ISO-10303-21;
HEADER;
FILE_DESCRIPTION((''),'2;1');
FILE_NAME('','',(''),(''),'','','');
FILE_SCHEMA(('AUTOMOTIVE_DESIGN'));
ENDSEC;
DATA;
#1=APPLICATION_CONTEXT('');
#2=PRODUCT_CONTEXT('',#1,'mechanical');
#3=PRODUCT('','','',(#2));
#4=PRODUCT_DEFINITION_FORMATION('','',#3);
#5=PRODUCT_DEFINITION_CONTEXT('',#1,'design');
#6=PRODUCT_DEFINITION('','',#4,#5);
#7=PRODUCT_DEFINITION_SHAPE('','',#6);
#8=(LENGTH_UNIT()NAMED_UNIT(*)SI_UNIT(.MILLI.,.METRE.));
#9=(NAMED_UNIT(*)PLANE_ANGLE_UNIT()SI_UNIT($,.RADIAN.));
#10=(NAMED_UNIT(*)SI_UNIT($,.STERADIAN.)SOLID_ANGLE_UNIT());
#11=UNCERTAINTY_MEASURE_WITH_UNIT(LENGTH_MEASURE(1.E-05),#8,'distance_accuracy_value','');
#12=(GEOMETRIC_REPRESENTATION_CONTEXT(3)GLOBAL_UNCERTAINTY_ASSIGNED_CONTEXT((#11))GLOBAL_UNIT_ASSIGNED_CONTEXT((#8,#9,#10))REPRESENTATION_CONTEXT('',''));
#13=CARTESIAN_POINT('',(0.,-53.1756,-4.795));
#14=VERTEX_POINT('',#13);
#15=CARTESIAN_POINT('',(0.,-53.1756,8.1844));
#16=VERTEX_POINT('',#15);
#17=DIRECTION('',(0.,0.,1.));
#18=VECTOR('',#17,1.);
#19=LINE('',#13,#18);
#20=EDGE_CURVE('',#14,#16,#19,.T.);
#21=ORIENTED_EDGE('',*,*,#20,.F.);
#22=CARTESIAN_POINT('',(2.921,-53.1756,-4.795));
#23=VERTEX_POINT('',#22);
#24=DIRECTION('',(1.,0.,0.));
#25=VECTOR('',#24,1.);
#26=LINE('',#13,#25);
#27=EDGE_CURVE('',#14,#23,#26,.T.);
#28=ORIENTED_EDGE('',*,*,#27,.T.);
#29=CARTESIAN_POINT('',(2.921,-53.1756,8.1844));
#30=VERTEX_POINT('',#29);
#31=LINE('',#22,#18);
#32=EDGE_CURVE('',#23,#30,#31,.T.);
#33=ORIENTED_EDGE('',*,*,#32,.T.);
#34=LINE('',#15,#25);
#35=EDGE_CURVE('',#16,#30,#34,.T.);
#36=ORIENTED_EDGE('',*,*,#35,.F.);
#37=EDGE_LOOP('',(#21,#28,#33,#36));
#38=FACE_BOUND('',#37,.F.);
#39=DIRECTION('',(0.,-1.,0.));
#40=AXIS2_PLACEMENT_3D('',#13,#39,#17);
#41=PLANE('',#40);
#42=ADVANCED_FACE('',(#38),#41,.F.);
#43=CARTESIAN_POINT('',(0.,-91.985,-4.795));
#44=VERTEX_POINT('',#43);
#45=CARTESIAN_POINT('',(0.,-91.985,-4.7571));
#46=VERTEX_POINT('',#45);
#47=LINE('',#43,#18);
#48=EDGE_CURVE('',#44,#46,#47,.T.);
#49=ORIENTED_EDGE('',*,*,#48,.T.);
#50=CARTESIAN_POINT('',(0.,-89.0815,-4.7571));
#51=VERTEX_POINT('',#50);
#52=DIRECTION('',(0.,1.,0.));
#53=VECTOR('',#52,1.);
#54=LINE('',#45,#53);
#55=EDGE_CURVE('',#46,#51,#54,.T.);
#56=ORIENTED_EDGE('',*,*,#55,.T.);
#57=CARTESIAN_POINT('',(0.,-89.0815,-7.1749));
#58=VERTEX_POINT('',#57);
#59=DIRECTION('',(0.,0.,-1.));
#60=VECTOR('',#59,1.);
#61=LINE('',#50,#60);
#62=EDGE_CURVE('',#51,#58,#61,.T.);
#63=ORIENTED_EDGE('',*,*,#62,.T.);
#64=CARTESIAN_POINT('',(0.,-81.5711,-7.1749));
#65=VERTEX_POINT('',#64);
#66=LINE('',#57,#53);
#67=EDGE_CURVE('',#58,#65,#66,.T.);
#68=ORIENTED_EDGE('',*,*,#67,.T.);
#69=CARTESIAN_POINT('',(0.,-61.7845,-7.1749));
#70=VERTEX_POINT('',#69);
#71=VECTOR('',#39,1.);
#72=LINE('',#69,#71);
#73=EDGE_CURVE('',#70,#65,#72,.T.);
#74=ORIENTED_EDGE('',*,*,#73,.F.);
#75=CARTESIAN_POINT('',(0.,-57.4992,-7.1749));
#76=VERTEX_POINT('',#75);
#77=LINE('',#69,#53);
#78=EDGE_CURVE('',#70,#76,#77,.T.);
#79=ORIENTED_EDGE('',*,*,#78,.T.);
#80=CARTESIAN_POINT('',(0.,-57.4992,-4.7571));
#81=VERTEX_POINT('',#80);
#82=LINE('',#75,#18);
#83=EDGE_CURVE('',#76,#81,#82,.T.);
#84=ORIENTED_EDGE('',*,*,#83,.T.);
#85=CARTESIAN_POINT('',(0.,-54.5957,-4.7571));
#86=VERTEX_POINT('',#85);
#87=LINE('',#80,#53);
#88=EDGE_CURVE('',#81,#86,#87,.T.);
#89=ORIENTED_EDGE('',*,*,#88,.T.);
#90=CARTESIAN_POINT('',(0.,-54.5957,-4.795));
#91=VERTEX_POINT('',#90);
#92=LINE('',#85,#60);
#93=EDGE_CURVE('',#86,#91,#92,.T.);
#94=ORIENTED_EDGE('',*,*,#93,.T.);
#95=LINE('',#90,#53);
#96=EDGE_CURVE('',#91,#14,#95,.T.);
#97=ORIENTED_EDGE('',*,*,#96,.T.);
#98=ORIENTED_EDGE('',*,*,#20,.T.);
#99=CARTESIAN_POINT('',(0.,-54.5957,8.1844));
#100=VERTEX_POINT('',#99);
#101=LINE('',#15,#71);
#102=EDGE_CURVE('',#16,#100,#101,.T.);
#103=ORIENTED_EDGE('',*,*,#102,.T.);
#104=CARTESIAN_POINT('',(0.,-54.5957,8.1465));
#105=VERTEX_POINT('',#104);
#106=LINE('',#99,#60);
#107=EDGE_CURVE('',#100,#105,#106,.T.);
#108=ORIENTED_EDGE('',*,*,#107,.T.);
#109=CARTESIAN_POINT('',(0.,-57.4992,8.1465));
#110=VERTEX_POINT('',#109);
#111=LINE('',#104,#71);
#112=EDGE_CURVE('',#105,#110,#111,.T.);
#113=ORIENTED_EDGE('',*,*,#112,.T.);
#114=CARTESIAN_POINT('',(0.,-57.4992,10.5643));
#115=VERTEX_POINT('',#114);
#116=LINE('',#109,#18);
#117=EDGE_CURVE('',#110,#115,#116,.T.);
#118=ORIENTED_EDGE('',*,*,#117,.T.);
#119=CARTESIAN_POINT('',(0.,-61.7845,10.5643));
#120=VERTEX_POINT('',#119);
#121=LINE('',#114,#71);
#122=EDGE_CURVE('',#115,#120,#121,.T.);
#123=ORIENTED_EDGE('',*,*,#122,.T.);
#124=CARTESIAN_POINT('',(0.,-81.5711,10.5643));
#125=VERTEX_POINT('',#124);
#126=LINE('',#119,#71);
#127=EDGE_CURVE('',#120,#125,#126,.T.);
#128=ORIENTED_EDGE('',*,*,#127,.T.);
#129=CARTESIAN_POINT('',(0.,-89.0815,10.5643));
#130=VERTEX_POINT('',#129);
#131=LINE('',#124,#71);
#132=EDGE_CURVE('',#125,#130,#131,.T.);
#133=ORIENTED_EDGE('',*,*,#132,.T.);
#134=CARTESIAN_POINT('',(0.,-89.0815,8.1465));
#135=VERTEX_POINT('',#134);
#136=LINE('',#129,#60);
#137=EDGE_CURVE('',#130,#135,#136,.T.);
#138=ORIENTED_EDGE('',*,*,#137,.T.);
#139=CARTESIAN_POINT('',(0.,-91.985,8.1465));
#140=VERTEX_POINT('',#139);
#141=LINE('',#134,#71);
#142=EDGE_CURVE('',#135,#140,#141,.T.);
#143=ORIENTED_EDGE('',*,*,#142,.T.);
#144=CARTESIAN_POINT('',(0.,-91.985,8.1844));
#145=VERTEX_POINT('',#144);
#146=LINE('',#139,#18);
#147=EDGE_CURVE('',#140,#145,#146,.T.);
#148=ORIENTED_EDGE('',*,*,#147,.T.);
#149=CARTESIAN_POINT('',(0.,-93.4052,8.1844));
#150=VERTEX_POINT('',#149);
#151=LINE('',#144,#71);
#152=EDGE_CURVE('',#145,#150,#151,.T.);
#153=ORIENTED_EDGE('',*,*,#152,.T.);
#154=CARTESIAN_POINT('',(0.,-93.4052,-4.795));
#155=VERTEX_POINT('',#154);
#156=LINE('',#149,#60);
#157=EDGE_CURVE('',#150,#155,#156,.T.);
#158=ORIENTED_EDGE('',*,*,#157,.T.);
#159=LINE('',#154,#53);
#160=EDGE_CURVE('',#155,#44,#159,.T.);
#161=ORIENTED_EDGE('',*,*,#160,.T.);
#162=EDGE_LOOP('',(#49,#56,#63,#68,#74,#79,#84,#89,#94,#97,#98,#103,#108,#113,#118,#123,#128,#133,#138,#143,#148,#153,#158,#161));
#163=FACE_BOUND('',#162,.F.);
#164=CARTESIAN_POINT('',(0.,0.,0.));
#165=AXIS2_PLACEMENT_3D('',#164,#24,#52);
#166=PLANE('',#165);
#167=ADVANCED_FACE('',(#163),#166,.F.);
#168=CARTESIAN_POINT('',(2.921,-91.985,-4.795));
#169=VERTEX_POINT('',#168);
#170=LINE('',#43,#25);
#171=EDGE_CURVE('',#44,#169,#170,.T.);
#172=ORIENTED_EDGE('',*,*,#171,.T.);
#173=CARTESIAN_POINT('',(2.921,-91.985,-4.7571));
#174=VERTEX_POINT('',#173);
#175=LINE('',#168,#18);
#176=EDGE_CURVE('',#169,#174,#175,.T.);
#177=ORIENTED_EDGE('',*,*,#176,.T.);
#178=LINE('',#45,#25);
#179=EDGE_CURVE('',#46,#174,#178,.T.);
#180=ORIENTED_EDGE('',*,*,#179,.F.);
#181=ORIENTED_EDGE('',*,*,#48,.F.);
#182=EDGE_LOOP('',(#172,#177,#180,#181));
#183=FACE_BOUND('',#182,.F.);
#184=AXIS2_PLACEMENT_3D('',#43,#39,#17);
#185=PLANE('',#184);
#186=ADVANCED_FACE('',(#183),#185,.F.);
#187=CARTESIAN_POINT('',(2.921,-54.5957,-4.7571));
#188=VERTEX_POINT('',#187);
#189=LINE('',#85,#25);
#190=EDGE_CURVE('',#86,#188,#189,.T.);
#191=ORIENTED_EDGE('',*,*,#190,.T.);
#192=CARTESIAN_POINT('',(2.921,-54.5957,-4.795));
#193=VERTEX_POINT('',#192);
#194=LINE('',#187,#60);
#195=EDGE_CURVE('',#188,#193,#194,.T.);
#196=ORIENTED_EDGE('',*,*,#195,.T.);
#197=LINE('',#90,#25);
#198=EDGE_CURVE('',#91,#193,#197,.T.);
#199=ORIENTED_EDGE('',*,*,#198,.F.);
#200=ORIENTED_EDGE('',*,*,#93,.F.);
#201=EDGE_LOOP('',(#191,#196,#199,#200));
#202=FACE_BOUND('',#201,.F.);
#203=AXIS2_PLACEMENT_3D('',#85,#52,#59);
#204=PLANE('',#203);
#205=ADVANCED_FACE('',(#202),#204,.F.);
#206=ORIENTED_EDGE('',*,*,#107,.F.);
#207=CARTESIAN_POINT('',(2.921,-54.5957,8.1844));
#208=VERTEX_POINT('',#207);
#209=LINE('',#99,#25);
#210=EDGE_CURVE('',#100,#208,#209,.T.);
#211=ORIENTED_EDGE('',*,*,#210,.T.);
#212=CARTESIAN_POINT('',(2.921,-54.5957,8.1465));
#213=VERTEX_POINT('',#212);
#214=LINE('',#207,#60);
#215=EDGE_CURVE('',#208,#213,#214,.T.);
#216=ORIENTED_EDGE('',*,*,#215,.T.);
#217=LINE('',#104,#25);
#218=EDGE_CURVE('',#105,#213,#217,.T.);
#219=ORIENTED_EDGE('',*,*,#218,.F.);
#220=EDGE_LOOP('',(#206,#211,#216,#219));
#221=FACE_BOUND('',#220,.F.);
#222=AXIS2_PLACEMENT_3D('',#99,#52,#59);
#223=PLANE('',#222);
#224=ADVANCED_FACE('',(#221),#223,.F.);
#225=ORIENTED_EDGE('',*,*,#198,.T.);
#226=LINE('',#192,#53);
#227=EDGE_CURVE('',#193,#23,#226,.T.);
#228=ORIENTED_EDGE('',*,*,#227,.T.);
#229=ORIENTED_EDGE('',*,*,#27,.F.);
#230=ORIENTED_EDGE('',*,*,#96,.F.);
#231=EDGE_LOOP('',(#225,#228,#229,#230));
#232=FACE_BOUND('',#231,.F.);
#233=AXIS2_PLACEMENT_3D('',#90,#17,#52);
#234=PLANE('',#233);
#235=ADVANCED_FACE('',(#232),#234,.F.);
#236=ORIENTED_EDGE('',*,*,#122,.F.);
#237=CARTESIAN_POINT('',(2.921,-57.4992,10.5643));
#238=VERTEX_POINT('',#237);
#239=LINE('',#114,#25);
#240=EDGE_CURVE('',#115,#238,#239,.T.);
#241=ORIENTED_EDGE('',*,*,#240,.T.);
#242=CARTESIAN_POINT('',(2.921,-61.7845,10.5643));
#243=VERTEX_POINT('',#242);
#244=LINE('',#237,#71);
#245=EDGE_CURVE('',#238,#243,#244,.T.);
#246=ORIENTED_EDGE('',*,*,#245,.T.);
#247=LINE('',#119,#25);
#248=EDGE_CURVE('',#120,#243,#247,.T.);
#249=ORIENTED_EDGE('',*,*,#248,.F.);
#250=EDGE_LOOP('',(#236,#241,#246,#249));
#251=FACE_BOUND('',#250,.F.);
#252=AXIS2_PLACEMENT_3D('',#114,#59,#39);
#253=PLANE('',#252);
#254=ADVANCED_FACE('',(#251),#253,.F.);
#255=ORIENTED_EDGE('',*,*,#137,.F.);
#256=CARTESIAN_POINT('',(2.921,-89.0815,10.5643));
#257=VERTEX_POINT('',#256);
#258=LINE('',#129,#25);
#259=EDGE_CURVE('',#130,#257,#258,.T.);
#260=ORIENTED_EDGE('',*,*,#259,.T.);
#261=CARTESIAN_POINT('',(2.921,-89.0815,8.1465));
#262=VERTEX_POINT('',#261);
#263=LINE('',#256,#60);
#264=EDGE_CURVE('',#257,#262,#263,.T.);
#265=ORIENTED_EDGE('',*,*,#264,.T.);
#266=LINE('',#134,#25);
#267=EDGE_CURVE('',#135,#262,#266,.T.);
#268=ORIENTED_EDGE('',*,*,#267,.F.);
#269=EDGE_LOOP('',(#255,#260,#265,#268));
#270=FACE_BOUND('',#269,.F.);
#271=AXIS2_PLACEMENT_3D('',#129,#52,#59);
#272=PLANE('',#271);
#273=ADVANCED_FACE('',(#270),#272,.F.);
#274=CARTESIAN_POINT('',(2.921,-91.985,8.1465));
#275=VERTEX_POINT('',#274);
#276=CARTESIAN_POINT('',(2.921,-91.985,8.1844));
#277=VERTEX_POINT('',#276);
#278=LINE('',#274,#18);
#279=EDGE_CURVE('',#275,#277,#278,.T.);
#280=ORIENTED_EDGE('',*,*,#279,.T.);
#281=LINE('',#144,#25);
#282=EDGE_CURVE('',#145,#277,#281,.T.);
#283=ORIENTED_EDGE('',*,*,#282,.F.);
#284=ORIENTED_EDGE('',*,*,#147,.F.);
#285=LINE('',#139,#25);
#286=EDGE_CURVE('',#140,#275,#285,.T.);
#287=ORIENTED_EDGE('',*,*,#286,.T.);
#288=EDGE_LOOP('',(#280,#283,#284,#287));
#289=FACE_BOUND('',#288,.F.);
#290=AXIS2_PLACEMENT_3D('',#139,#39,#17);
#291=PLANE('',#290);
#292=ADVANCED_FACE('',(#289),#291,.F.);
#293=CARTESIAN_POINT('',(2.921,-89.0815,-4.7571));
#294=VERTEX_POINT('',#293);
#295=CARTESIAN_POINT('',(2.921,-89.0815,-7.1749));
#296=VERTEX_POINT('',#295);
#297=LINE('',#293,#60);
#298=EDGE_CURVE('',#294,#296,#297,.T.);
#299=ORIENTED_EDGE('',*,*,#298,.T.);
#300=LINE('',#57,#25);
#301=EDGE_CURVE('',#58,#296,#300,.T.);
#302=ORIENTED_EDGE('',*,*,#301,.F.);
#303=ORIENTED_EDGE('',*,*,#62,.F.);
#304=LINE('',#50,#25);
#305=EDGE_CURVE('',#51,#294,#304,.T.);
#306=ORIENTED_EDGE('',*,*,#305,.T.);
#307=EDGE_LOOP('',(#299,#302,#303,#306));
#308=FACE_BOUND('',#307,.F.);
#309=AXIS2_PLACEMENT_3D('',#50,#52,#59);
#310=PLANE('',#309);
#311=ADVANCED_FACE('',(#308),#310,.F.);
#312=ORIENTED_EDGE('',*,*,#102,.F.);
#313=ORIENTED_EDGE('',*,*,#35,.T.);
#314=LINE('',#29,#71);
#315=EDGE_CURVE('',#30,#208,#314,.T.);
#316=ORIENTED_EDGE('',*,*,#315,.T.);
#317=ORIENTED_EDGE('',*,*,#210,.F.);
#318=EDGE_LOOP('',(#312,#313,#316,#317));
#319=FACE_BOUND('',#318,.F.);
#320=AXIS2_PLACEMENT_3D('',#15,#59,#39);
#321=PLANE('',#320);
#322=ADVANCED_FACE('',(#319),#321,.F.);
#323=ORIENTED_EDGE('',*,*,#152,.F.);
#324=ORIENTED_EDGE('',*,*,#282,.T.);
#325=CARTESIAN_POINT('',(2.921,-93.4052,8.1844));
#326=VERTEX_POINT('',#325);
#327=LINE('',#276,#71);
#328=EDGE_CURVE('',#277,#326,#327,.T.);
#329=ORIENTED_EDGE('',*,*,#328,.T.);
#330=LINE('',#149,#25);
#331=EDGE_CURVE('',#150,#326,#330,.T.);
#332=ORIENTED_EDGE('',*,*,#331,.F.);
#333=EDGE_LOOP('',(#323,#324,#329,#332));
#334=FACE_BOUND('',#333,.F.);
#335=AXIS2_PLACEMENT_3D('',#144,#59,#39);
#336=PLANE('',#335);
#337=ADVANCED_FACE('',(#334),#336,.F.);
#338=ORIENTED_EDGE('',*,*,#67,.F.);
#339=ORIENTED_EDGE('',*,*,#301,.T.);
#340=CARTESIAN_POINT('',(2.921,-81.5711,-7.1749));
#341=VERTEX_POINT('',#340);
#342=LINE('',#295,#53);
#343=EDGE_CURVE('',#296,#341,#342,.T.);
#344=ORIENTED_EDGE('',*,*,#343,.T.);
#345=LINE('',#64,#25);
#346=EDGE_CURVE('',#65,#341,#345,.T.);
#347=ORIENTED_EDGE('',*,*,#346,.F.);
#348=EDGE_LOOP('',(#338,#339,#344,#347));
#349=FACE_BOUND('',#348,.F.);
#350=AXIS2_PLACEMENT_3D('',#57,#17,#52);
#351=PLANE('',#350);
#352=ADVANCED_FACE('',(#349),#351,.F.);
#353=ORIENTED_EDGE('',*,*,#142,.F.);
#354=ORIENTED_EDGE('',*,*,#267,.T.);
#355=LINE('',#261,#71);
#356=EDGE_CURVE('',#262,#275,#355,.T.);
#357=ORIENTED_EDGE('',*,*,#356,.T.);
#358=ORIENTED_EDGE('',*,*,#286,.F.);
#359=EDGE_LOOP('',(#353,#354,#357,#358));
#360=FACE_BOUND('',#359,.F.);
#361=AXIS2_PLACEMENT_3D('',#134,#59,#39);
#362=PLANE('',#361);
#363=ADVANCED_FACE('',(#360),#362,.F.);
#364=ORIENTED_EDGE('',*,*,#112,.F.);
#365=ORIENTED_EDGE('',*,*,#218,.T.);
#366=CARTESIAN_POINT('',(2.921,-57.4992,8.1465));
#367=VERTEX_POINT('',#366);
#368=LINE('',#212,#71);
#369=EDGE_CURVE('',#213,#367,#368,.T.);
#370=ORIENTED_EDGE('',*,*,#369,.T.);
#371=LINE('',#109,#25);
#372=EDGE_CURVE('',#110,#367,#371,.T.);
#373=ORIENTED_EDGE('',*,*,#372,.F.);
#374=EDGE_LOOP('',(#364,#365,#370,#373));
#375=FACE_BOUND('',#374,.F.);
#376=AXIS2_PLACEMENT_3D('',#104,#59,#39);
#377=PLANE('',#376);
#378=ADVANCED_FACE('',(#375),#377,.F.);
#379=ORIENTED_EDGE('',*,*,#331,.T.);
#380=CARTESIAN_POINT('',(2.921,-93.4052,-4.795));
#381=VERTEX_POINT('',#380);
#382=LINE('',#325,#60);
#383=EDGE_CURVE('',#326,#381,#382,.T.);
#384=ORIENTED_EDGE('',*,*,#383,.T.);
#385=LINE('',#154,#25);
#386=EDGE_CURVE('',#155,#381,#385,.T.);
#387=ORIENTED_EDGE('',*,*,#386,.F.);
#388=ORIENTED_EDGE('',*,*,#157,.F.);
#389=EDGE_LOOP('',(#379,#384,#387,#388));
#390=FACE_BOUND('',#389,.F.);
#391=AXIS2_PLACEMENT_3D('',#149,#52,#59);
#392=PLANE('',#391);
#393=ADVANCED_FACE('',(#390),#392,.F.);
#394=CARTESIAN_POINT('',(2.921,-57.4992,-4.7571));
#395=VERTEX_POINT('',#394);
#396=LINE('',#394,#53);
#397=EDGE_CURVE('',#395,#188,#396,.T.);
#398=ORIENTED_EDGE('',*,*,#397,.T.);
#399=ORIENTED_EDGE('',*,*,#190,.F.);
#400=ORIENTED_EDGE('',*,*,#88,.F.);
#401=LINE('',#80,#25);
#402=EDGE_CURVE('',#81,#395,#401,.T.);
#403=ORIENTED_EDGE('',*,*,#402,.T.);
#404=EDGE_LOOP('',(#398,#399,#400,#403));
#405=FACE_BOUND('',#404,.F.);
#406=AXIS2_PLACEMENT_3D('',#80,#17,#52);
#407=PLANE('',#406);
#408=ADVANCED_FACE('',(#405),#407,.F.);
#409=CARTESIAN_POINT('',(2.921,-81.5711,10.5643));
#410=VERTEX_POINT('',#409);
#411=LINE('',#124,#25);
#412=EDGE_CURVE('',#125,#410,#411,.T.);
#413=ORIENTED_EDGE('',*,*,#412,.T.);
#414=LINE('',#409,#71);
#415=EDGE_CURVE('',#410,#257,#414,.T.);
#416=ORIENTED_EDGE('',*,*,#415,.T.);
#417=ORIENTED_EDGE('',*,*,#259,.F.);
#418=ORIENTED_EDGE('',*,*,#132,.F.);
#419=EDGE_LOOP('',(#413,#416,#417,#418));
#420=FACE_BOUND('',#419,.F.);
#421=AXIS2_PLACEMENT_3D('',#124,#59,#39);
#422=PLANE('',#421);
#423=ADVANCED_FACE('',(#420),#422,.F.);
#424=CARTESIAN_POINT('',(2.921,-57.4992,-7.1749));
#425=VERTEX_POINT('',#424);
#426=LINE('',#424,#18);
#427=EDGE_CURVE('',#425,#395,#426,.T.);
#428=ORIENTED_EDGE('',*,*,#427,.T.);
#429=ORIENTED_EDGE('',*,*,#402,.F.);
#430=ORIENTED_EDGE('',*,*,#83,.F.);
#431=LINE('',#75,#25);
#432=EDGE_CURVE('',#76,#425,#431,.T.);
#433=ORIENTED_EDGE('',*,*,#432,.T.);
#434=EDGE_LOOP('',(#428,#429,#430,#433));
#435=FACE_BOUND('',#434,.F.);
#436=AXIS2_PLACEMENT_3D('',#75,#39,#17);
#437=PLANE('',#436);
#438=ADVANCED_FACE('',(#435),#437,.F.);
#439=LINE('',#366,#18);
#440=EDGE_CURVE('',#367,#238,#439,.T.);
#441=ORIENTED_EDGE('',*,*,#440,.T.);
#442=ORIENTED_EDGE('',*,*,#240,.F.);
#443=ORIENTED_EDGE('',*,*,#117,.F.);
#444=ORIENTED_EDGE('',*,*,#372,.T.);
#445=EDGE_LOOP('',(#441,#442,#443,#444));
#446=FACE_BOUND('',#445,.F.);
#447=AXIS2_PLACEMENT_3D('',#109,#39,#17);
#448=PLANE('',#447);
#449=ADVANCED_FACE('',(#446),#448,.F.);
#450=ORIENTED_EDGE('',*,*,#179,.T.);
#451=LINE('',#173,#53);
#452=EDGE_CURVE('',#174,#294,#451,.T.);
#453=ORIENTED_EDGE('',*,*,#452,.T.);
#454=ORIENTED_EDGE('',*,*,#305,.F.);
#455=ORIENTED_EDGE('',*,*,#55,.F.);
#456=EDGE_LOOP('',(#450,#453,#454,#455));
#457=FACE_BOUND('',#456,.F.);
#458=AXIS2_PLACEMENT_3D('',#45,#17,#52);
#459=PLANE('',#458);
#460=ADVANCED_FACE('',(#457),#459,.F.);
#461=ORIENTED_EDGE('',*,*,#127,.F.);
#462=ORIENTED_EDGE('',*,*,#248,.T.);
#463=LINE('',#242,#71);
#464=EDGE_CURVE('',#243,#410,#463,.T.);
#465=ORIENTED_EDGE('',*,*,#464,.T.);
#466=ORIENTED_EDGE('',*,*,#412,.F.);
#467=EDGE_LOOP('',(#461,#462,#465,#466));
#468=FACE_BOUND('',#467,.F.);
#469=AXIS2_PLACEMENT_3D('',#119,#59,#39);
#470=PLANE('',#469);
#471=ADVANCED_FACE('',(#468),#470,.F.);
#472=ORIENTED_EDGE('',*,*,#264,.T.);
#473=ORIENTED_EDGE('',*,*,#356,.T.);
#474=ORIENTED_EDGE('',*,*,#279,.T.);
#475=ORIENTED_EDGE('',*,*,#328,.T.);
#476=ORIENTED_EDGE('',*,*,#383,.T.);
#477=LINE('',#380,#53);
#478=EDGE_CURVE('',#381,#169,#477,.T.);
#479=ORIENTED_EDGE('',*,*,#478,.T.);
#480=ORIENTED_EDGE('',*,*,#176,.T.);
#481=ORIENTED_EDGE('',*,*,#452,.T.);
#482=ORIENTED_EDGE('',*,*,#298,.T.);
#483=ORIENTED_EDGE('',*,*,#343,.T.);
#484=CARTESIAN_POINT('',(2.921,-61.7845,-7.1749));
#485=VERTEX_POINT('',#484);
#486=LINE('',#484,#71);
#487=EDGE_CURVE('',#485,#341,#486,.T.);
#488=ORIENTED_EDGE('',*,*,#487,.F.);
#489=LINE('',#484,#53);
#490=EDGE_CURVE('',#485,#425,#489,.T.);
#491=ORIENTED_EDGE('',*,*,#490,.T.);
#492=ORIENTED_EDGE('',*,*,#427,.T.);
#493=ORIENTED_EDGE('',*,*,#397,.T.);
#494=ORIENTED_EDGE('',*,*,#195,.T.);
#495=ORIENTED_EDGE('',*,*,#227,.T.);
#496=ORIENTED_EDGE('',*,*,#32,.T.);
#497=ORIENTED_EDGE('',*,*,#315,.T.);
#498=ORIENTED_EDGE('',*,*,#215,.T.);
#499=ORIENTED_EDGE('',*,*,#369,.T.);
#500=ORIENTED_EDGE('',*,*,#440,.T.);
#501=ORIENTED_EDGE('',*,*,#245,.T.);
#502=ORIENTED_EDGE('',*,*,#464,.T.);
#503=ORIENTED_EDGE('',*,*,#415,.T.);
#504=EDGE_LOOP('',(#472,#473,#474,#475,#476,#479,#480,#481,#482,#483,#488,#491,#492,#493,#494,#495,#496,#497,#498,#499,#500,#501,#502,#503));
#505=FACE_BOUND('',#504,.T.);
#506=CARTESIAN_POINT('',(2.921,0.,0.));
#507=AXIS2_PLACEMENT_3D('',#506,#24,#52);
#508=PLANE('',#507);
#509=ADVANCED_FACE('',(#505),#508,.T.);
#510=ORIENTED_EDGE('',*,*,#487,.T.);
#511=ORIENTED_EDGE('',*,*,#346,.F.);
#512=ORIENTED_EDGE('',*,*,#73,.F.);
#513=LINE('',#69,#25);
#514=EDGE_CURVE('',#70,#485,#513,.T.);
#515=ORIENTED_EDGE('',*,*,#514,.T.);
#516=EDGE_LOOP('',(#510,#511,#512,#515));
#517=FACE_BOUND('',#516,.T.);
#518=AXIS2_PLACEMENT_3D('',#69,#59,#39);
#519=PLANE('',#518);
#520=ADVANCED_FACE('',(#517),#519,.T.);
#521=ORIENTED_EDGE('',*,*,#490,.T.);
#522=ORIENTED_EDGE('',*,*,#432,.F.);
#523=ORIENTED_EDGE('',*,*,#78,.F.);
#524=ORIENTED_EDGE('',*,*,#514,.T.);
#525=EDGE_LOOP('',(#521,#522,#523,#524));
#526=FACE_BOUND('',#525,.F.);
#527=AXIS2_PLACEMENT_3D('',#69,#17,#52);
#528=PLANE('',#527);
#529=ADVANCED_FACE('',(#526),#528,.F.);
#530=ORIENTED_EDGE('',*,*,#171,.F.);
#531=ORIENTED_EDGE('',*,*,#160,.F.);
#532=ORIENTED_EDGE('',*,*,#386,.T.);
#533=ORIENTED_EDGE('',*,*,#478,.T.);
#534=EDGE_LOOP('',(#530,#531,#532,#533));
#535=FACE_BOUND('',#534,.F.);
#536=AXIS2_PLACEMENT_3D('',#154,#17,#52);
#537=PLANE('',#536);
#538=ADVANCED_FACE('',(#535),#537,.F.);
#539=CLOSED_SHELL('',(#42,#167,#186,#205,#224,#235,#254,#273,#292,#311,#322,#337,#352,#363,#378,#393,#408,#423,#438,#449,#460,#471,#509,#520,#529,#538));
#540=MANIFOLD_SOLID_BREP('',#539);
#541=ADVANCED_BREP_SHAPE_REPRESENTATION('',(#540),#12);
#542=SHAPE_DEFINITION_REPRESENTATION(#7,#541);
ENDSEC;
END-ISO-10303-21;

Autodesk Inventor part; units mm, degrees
ref_plane "YZ Plane" through (0, 0, 0) normal (1, 0, 0) x (0, 1, 0)
ref_plane "XZ Plane" through (0, 0, 0) normal (0, 1, 0) x (-1, 0, 0)
ref_plane "XY Plane" through (0, 0, 0) normal (0, 0, 1) x (1, 0, 0)
sketch "Sketch1" plane through (0, 0, 0) normal (1, 0, 0) x (0, 1, 0)
  line L0 (-91.985, -4.7571) -> (-89.0815, -4.7571)
  line L1 (-89.0815, -4.7571) -> (-89.0815, -7.1749)
  line L2 (-89.0815, -7.1749) -> (-81.5711, -7.1749)
  line L3 (-57.4992, -7.1749) -> (-57.4992, -4.7571)
  line L4 (-57.4992, -4.7571) -> (-54.5957, -4.7571)
  line L5 (-54.5957, -4.7571) -> (-54.5957, -4.795)
  line L6 (-54.5957, -4.795) -> (-53.1756, -4.795)
  line L7 (-53.1756, -4.795) -> (-53.1756, 8.1844)
  line L8 (-53.1756, 8.1844) -> (-54.5957, 8.1844)
  line L9 (-54.5957, 8.1844) -> (-54.5957, 8.1465)
  line L10 (-54.5957, 8.1465) -> (-57.4992, 8.1465)
  line L11 (-57.4992, 8.1465) -> (-57.4992, 10.5643)
  line L12 (-57.4992, 10.5643) -> (-61.7845, 10.5643)
  line L13 (-89.0815, 10.5643) -> (-89.0815, 8.1465)
  line L14 (-89.0815, 8.1465) -> (-91.985, 8.1465)
  line L15 (-91.985, 8.1465) -> (-91.985, 8.1844)
  line L16 (-91.985, 8.1844) -> (-93.4052, 8.1844)
  line L17 (-93.4052, 8.1844) -> (-93.4052, -4.795)
  line L18 (-93.4052, -4.795) -> (-91.985, -4.795)
  line L19 (-91.985, -4.795) -> (-91.985, -4.7571)
  line L20 (-81.5711, 10.5643) -> (-89.0815, 10.5643)
  line L21 (-61.7845, -7.1749) -> (-57.4992, -7.1749)
  line L22 (-61.7845, 10.5643) -> (-81.5711, 10.5643)
  line L23 (-61.7845, -7.1749) -> (-81.5711, -7.1749)
  point P0 (0, 0)
extrude "Extrusion1" add sketch "Sketch1" along normal blind 2.921
